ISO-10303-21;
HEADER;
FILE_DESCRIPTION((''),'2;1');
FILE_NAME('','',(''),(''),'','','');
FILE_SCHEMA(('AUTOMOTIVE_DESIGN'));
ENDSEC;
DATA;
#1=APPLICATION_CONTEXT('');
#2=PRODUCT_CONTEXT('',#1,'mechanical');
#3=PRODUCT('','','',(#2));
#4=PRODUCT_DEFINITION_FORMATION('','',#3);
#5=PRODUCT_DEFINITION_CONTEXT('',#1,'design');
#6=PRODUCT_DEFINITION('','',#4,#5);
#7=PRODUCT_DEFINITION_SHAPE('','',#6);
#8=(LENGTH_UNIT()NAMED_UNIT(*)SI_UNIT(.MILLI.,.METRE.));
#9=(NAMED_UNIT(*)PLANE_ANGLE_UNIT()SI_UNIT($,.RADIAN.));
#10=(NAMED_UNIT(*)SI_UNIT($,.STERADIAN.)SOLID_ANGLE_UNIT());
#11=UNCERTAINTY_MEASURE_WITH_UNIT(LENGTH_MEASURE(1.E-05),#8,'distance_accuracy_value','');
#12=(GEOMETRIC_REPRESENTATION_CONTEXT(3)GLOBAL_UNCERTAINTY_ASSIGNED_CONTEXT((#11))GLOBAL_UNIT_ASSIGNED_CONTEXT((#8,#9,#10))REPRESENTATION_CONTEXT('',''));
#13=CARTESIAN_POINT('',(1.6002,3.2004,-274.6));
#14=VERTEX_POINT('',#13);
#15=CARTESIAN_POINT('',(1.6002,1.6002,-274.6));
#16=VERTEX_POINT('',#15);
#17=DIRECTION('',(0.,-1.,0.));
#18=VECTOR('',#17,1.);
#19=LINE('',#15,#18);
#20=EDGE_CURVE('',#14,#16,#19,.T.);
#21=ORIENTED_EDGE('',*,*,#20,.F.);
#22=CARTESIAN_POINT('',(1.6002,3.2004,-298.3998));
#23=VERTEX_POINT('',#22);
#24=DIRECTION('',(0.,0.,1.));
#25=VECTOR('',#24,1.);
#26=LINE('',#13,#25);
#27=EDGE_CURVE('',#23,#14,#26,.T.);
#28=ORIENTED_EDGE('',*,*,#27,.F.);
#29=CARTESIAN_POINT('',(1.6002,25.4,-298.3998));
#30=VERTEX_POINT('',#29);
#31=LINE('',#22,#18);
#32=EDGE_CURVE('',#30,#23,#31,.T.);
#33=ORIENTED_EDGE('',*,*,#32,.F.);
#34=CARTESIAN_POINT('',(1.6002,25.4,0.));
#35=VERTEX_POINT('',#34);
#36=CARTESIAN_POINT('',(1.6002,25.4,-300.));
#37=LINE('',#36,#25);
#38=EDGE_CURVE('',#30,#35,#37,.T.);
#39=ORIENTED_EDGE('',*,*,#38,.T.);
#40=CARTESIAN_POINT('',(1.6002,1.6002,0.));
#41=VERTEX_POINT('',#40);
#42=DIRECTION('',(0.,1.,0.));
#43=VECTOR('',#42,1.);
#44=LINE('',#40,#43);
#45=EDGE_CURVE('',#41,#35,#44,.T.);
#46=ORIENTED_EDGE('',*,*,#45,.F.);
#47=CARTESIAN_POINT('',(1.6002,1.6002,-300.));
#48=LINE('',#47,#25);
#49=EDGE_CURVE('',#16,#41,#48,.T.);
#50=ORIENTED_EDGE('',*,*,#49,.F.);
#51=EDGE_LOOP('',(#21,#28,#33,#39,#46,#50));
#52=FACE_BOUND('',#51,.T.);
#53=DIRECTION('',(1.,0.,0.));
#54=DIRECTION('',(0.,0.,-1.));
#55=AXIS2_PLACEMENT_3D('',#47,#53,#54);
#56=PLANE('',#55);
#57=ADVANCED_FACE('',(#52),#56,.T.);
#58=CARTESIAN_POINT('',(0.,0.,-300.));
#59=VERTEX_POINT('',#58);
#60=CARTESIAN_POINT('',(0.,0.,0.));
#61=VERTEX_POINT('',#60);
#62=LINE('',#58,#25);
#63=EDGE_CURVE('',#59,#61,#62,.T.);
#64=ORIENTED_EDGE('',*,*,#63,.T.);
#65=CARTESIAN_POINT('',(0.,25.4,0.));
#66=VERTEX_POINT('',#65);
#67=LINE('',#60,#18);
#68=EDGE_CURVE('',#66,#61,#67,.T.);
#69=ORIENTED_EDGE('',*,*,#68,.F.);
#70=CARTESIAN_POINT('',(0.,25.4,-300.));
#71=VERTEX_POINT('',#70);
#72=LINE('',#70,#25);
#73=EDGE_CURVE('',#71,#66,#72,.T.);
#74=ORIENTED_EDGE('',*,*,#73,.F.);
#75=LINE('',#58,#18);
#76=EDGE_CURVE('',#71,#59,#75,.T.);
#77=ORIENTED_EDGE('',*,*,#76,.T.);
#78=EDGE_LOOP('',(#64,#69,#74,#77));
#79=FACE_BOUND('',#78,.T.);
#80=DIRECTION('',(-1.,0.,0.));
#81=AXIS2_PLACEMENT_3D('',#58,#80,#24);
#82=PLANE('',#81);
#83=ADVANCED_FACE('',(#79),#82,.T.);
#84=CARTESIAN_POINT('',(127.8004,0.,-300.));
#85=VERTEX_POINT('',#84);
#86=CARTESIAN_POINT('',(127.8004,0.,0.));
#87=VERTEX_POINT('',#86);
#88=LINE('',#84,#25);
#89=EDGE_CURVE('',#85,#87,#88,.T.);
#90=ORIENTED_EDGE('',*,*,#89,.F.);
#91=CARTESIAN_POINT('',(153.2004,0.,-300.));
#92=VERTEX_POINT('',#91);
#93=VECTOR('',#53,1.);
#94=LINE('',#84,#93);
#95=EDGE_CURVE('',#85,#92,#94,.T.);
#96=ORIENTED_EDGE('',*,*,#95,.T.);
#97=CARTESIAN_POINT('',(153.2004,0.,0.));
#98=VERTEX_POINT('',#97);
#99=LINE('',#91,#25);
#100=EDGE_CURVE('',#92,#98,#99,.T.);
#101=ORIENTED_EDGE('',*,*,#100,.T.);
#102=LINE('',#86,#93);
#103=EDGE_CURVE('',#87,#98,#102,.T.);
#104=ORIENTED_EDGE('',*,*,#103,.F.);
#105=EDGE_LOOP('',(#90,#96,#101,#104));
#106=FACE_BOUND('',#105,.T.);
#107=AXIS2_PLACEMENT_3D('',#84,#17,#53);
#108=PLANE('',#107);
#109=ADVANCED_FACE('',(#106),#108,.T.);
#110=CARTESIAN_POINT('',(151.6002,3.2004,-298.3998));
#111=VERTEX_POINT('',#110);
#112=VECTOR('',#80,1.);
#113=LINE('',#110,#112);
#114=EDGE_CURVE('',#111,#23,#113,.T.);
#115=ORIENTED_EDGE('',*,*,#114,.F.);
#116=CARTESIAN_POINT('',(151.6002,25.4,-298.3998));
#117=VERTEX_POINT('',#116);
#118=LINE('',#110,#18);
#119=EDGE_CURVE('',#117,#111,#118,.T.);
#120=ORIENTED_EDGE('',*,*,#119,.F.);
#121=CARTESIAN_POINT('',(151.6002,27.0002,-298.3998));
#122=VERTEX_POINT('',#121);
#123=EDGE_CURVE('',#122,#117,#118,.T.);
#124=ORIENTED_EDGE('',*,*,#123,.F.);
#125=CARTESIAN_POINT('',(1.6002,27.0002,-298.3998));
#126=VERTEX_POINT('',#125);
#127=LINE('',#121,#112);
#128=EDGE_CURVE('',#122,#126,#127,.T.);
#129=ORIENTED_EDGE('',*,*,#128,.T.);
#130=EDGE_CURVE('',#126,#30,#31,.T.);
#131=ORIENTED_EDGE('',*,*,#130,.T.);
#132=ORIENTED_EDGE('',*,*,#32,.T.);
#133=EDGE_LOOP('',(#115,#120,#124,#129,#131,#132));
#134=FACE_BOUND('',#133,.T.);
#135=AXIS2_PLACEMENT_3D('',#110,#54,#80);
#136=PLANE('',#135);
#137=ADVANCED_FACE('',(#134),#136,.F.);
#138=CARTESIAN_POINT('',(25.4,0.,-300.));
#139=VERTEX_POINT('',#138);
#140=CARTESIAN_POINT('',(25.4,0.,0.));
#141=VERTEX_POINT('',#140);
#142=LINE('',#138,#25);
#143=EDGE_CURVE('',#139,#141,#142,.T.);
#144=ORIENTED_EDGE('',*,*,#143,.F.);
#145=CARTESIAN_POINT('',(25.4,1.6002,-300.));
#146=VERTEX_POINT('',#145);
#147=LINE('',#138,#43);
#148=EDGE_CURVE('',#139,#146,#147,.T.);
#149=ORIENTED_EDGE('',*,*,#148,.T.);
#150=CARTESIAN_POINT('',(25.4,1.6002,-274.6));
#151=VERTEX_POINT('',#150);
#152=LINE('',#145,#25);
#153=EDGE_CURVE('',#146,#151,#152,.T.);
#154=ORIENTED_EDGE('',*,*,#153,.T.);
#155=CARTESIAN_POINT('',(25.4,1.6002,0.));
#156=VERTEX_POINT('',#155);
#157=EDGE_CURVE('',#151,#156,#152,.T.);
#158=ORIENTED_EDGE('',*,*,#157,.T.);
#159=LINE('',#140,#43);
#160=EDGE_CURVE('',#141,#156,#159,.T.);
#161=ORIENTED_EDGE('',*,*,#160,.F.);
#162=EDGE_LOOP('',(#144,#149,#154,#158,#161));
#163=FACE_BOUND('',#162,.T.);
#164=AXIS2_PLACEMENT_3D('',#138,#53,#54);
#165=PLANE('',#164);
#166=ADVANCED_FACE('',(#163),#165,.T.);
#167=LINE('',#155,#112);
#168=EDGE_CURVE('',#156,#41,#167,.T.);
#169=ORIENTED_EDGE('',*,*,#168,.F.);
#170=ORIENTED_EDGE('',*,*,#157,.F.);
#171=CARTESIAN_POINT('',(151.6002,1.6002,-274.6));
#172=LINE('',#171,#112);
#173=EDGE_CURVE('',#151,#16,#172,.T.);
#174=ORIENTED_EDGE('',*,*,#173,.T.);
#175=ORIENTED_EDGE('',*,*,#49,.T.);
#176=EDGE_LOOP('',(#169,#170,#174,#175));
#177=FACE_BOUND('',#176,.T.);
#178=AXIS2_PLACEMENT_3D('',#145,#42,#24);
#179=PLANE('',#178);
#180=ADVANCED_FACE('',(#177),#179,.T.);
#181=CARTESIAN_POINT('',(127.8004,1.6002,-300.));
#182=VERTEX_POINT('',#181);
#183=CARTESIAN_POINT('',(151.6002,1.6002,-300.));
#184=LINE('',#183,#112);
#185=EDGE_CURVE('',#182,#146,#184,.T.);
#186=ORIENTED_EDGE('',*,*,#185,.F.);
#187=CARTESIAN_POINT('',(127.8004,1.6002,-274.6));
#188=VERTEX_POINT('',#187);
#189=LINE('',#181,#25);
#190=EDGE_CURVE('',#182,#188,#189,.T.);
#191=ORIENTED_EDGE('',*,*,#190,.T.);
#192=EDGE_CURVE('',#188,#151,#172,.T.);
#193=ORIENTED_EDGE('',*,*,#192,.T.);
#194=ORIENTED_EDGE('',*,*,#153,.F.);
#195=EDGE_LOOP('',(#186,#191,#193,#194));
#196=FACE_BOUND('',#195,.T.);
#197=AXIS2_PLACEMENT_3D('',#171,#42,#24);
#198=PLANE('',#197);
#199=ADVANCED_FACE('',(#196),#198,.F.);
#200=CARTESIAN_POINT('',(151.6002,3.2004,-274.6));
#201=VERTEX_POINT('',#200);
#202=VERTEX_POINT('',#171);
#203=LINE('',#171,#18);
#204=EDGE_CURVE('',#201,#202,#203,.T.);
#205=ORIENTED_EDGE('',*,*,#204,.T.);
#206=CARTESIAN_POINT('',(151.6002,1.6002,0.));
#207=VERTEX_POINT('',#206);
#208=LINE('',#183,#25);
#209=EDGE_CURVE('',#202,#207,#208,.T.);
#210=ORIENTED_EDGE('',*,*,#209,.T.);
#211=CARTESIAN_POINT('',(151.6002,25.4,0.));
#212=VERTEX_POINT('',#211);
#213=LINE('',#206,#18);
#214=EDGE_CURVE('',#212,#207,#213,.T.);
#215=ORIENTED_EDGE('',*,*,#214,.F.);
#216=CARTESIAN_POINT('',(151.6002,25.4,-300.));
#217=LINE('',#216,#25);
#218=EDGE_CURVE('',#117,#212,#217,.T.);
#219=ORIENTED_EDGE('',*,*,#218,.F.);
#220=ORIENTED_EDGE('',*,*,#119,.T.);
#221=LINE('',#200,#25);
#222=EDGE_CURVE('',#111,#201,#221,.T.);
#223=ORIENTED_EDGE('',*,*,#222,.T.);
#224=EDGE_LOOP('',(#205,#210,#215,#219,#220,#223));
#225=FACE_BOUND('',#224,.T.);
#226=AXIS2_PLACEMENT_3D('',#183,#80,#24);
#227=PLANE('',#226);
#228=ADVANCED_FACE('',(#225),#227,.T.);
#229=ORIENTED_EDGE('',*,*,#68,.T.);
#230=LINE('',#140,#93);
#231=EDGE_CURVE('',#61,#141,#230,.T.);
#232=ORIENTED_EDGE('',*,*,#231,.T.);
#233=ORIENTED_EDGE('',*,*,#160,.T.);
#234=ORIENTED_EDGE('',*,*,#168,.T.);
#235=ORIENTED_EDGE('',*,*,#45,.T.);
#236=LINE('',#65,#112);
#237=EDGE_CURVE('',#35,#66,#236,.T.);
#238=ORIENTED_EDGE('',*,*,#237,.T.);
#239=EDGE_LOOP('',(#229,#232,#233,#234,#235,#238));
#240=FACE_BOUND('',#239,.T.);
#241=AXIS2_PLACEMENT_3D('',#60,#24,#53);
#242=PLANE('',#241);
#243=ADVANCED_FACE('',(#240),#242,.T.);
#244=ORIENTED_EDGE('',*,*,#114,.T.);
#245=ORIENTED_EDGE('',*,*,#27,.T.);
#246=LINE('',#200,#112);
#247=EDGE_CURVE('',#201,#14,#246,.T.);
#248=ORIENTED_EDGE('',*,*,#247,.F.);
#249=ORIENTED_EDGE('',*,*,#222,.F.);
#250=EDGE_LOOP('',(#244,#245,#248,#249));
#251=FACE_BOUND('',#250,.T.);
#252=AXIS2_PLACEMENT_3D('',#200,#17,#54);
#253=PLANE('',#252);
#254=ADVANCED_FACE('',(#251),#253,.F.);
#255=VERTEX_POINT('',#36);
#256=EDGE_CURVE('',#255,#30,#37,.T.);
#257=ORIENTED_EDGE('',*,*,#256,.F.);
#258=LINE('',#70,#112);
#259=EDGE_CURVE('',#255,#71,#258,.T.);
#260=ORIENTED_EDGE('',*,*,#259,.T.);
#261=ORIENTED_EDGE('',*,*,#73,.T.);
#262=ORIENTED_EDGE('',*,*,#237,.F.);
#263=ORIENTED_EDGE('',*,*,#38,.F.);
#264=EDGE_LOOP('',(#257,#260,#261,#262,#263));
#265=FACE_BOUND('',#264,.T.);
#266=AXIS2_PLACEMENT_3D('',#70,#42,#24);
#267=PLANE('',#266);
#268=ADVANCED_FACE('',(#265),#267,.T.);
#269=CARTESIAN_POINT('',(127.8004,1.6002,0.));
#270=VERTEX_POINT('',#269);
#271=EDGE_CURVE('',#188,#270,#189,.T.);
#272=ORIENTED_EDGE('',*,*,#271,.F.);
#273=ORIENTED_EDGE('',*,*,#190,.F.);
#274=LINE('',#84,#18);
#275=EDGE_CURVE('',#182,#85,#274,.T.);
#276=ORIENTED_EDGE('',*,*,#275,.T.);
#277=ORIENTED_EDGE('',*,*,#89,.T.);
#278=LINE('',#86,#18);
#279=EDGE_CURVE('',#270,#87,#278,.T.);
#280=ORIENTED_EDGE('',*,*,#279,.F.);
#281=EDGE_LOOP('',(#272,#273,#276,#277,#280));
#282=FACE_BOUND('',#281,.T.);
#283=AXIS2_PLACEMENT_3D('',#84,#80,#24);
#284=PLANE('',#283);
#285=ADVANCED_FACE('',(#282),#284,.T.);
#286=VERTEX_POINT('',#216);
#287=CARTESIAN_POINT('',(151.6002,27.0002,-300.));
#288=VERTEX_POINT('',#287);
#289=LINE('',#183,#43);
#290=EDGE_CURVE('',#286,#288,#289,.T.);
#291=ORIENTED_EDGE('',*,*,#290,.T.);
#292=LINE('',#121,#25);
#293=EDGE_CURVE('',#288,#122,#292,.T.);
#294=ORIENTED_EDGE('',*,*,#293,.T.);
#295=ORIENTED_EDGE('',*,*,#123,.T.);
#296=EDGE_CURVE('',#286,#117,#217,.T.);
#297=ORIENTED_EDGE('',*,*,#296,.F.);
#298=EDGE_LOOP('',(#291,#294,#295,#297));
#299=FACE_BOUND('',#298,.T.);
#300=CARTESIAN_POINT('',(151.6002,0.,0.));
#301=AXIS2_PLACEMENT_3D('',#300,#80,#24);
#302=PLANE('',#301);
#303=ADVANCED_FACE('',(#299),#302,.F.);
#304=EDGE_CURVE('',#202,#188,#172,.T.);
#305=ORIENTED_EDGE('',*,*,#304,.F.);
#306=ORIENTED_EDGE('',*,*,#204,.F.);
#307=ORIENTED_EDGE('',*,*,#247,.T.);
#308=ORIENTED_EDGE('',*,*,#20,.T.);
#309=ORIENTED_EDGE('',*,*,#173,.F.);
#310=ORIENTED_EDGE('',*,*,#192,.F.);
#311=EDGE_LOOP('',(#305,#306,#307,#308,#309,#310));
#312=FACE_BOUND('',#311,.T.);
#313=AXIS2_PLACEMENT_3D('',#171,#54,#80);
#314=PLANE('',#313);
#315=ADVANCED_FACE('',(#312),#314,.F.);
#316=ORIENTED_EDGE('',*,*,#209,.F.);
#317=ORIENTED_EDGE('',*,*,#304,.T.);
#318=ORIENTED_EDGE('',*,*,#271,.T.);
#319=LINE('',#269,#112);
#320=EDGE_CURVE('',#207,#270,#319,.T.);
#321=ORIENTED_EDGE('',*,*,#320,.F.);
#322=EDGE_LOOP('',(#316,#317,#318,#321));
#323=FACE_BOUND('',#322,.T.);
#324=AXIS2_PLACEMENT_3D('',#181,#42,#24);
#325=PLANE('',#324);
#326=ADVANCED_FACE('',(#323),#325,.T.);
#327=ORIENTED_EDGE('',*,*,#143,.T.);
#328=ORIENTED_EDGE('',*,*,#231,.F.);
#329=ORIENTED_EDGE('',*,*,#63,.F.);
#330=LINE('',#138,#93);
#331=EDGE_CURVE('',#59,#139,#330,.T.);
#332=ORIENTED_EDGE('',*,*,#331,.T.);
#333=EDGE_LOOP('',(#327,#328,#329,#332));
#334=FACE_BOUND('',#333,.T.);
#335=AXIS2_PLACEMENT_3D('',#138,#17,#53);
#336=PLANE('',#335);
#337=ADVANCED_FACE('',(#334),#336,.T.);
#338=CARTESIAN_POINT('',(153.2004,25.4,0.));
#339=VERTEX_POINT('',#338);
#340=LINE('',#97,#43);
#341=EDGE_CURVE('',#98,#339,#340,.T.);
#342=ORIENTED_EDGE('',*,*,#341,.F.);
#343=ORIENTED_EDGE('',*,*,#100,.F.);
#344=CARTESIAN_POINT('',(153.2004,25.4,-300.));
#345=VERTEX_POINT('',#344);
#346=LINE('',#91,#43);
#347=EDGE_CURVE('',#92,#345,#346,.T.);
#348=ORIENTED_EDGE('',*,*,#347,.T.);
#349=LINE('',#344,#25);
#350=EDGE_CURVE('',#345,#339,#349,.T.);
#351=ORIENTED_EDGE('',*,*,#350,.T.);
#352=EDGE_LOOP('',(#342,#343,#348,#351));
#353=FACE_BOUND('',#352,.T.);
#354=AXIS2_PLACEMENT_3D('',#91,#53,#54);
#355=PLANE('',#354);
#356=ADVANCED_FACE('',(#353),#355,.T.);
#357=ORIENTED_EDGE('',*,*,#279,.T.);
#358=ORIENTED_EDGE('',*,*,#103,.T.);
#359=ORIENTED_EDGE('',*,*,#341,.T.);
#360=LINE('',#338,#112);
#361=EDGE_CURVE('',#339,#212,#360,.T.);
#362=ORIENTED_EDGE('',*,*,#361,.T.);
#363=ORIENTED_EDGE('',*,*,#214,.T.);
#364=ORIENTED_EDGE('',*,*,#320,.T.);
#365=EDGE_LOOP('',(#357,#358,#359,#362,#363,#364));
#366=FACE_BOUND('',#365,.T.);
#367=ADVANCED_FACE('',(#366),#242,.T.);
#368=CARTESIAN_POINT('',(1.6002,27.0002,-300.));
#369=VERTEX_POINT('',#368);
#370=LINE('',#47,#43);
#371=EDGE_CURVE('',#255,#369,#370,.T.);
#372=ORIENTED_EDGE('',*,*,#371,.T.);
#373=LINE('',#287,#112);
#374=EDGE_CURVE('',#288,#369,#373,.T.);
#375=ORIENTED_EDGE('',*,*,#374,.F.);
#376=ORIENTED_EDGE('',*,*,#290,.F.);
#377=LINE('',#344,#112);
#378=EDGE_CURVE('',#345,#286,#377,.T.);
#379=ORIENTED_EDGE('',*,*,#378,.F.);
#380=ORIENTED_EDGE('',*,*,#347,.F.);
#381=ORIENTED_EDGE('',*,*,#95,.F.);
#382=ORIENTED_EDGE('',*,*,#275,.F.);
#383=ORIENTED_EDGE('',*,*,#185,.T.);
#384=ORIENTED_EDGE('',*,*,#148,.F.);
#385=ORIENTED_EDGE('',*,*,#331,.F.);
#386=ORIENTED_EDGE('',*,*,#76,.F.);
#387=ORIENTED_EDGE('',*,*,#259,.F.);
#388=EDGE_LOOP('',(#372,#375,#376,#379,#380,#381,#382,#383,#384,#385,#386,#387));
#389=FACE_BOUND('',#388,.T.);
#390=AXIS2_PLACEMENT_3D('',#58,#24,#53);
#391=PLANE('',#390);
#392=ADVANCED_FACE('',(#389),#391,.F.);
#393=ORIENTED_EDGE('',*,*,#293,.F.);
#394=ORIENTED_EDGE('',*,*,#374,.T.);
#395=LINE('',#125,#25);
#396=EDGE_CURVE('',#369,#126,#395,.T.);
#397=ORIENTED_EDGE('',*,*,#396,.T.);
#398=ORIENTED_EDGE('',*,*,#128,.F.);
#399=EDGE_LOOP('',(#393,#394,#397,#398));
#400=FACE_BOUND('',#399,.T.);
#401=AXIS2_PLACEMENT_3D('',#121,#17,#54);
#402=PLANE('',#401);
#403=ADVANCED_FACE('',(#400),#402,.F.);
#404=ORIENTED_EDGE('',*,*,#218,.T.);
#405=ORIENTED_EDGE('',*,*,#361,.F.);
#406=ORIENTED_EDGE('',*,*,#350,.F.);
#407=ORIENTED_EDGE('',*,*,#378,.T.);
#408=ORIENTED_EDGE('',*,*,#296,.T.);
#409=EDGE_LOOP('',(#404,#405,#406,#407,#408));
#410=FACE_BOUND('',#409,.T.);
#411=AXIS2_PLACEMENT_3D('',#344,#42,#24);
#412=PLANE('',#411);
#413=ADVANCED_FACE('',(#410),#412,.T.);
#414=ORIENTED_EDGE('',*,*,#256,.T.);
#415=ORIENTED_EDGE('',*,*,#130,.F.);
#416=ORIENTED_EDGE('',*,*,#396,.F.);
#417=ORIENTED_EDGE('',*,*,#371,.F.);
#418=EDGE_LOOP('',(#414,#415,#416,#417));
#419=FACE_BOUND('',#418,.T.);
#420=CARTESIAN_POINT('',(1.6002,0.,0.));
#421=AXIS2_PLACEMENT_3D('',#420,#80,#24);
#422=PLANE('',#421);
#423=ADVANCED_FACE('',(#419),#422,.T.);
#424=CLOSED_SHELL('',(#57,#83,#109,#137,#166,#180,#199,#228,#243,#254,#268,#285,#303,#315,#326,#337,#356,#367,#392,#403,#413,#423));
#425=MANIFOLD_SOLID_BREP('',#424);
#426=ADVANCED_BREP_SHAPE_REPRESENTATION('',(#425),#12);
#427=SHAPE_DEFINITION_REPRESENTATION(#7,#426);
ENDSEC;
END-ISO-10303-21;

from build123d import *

# Parameters (mm, degrees)
BOSS_EXTRUDE1_DEPTH   = 300
BOSS_EXTRUDE1_2_DEPTH = 300
BOSS_EXTRUDE2_DEPTH   = 150


with BuildPart() as part:
    # Sketch1 → Boss-Extrude1 (new body)
    with BuildSketch(Plane.XY):
        Polygon((25.4, 0), (0, 0), (0, 25.4), (1.6002, 25.4), (1.6002, 1.6002), (25.4, 1.6002), align=None)
    extrude(amount=-BOSS_EXTRUDE1_DEPTH)



with BuildPart() as body_2:
    # Sketch1 → Boss-Extrude1 2 (new body)
    with BuildSketch(Plane.XY):
        Polygon((153.2004, 25.4), (151.6002, 25.4), (151.6002, 1.6002), (127.8004, 1.6002), (127.8004, 0), (153.2004, 0), align=None)
    extrude(amount=-BOSS_EXTRUDE1_2_DEPTH)


with BuildPart() as part_1:
    add(part.part)

    add(body_2.part)  # Boss-Extrude2 merges body 2
    # Sketch2 → Boss-Extrude2 (add)
    with BuildSketch(Plane(origin=(1.6002, 0, 0), x_dir=(0, 0, -1), z_dir=(1, 0, 0))):
        Polygon((274.6, 1.6002), (300, 1.6002), (300, 27.0002), (298.3998, 27.0002), (298.3998, 3.2004), (274.6, 3.2004), align=None)
    extrude(amount=BOSS_EXTRUDE2_DEPTH)


solid = part_1.part
